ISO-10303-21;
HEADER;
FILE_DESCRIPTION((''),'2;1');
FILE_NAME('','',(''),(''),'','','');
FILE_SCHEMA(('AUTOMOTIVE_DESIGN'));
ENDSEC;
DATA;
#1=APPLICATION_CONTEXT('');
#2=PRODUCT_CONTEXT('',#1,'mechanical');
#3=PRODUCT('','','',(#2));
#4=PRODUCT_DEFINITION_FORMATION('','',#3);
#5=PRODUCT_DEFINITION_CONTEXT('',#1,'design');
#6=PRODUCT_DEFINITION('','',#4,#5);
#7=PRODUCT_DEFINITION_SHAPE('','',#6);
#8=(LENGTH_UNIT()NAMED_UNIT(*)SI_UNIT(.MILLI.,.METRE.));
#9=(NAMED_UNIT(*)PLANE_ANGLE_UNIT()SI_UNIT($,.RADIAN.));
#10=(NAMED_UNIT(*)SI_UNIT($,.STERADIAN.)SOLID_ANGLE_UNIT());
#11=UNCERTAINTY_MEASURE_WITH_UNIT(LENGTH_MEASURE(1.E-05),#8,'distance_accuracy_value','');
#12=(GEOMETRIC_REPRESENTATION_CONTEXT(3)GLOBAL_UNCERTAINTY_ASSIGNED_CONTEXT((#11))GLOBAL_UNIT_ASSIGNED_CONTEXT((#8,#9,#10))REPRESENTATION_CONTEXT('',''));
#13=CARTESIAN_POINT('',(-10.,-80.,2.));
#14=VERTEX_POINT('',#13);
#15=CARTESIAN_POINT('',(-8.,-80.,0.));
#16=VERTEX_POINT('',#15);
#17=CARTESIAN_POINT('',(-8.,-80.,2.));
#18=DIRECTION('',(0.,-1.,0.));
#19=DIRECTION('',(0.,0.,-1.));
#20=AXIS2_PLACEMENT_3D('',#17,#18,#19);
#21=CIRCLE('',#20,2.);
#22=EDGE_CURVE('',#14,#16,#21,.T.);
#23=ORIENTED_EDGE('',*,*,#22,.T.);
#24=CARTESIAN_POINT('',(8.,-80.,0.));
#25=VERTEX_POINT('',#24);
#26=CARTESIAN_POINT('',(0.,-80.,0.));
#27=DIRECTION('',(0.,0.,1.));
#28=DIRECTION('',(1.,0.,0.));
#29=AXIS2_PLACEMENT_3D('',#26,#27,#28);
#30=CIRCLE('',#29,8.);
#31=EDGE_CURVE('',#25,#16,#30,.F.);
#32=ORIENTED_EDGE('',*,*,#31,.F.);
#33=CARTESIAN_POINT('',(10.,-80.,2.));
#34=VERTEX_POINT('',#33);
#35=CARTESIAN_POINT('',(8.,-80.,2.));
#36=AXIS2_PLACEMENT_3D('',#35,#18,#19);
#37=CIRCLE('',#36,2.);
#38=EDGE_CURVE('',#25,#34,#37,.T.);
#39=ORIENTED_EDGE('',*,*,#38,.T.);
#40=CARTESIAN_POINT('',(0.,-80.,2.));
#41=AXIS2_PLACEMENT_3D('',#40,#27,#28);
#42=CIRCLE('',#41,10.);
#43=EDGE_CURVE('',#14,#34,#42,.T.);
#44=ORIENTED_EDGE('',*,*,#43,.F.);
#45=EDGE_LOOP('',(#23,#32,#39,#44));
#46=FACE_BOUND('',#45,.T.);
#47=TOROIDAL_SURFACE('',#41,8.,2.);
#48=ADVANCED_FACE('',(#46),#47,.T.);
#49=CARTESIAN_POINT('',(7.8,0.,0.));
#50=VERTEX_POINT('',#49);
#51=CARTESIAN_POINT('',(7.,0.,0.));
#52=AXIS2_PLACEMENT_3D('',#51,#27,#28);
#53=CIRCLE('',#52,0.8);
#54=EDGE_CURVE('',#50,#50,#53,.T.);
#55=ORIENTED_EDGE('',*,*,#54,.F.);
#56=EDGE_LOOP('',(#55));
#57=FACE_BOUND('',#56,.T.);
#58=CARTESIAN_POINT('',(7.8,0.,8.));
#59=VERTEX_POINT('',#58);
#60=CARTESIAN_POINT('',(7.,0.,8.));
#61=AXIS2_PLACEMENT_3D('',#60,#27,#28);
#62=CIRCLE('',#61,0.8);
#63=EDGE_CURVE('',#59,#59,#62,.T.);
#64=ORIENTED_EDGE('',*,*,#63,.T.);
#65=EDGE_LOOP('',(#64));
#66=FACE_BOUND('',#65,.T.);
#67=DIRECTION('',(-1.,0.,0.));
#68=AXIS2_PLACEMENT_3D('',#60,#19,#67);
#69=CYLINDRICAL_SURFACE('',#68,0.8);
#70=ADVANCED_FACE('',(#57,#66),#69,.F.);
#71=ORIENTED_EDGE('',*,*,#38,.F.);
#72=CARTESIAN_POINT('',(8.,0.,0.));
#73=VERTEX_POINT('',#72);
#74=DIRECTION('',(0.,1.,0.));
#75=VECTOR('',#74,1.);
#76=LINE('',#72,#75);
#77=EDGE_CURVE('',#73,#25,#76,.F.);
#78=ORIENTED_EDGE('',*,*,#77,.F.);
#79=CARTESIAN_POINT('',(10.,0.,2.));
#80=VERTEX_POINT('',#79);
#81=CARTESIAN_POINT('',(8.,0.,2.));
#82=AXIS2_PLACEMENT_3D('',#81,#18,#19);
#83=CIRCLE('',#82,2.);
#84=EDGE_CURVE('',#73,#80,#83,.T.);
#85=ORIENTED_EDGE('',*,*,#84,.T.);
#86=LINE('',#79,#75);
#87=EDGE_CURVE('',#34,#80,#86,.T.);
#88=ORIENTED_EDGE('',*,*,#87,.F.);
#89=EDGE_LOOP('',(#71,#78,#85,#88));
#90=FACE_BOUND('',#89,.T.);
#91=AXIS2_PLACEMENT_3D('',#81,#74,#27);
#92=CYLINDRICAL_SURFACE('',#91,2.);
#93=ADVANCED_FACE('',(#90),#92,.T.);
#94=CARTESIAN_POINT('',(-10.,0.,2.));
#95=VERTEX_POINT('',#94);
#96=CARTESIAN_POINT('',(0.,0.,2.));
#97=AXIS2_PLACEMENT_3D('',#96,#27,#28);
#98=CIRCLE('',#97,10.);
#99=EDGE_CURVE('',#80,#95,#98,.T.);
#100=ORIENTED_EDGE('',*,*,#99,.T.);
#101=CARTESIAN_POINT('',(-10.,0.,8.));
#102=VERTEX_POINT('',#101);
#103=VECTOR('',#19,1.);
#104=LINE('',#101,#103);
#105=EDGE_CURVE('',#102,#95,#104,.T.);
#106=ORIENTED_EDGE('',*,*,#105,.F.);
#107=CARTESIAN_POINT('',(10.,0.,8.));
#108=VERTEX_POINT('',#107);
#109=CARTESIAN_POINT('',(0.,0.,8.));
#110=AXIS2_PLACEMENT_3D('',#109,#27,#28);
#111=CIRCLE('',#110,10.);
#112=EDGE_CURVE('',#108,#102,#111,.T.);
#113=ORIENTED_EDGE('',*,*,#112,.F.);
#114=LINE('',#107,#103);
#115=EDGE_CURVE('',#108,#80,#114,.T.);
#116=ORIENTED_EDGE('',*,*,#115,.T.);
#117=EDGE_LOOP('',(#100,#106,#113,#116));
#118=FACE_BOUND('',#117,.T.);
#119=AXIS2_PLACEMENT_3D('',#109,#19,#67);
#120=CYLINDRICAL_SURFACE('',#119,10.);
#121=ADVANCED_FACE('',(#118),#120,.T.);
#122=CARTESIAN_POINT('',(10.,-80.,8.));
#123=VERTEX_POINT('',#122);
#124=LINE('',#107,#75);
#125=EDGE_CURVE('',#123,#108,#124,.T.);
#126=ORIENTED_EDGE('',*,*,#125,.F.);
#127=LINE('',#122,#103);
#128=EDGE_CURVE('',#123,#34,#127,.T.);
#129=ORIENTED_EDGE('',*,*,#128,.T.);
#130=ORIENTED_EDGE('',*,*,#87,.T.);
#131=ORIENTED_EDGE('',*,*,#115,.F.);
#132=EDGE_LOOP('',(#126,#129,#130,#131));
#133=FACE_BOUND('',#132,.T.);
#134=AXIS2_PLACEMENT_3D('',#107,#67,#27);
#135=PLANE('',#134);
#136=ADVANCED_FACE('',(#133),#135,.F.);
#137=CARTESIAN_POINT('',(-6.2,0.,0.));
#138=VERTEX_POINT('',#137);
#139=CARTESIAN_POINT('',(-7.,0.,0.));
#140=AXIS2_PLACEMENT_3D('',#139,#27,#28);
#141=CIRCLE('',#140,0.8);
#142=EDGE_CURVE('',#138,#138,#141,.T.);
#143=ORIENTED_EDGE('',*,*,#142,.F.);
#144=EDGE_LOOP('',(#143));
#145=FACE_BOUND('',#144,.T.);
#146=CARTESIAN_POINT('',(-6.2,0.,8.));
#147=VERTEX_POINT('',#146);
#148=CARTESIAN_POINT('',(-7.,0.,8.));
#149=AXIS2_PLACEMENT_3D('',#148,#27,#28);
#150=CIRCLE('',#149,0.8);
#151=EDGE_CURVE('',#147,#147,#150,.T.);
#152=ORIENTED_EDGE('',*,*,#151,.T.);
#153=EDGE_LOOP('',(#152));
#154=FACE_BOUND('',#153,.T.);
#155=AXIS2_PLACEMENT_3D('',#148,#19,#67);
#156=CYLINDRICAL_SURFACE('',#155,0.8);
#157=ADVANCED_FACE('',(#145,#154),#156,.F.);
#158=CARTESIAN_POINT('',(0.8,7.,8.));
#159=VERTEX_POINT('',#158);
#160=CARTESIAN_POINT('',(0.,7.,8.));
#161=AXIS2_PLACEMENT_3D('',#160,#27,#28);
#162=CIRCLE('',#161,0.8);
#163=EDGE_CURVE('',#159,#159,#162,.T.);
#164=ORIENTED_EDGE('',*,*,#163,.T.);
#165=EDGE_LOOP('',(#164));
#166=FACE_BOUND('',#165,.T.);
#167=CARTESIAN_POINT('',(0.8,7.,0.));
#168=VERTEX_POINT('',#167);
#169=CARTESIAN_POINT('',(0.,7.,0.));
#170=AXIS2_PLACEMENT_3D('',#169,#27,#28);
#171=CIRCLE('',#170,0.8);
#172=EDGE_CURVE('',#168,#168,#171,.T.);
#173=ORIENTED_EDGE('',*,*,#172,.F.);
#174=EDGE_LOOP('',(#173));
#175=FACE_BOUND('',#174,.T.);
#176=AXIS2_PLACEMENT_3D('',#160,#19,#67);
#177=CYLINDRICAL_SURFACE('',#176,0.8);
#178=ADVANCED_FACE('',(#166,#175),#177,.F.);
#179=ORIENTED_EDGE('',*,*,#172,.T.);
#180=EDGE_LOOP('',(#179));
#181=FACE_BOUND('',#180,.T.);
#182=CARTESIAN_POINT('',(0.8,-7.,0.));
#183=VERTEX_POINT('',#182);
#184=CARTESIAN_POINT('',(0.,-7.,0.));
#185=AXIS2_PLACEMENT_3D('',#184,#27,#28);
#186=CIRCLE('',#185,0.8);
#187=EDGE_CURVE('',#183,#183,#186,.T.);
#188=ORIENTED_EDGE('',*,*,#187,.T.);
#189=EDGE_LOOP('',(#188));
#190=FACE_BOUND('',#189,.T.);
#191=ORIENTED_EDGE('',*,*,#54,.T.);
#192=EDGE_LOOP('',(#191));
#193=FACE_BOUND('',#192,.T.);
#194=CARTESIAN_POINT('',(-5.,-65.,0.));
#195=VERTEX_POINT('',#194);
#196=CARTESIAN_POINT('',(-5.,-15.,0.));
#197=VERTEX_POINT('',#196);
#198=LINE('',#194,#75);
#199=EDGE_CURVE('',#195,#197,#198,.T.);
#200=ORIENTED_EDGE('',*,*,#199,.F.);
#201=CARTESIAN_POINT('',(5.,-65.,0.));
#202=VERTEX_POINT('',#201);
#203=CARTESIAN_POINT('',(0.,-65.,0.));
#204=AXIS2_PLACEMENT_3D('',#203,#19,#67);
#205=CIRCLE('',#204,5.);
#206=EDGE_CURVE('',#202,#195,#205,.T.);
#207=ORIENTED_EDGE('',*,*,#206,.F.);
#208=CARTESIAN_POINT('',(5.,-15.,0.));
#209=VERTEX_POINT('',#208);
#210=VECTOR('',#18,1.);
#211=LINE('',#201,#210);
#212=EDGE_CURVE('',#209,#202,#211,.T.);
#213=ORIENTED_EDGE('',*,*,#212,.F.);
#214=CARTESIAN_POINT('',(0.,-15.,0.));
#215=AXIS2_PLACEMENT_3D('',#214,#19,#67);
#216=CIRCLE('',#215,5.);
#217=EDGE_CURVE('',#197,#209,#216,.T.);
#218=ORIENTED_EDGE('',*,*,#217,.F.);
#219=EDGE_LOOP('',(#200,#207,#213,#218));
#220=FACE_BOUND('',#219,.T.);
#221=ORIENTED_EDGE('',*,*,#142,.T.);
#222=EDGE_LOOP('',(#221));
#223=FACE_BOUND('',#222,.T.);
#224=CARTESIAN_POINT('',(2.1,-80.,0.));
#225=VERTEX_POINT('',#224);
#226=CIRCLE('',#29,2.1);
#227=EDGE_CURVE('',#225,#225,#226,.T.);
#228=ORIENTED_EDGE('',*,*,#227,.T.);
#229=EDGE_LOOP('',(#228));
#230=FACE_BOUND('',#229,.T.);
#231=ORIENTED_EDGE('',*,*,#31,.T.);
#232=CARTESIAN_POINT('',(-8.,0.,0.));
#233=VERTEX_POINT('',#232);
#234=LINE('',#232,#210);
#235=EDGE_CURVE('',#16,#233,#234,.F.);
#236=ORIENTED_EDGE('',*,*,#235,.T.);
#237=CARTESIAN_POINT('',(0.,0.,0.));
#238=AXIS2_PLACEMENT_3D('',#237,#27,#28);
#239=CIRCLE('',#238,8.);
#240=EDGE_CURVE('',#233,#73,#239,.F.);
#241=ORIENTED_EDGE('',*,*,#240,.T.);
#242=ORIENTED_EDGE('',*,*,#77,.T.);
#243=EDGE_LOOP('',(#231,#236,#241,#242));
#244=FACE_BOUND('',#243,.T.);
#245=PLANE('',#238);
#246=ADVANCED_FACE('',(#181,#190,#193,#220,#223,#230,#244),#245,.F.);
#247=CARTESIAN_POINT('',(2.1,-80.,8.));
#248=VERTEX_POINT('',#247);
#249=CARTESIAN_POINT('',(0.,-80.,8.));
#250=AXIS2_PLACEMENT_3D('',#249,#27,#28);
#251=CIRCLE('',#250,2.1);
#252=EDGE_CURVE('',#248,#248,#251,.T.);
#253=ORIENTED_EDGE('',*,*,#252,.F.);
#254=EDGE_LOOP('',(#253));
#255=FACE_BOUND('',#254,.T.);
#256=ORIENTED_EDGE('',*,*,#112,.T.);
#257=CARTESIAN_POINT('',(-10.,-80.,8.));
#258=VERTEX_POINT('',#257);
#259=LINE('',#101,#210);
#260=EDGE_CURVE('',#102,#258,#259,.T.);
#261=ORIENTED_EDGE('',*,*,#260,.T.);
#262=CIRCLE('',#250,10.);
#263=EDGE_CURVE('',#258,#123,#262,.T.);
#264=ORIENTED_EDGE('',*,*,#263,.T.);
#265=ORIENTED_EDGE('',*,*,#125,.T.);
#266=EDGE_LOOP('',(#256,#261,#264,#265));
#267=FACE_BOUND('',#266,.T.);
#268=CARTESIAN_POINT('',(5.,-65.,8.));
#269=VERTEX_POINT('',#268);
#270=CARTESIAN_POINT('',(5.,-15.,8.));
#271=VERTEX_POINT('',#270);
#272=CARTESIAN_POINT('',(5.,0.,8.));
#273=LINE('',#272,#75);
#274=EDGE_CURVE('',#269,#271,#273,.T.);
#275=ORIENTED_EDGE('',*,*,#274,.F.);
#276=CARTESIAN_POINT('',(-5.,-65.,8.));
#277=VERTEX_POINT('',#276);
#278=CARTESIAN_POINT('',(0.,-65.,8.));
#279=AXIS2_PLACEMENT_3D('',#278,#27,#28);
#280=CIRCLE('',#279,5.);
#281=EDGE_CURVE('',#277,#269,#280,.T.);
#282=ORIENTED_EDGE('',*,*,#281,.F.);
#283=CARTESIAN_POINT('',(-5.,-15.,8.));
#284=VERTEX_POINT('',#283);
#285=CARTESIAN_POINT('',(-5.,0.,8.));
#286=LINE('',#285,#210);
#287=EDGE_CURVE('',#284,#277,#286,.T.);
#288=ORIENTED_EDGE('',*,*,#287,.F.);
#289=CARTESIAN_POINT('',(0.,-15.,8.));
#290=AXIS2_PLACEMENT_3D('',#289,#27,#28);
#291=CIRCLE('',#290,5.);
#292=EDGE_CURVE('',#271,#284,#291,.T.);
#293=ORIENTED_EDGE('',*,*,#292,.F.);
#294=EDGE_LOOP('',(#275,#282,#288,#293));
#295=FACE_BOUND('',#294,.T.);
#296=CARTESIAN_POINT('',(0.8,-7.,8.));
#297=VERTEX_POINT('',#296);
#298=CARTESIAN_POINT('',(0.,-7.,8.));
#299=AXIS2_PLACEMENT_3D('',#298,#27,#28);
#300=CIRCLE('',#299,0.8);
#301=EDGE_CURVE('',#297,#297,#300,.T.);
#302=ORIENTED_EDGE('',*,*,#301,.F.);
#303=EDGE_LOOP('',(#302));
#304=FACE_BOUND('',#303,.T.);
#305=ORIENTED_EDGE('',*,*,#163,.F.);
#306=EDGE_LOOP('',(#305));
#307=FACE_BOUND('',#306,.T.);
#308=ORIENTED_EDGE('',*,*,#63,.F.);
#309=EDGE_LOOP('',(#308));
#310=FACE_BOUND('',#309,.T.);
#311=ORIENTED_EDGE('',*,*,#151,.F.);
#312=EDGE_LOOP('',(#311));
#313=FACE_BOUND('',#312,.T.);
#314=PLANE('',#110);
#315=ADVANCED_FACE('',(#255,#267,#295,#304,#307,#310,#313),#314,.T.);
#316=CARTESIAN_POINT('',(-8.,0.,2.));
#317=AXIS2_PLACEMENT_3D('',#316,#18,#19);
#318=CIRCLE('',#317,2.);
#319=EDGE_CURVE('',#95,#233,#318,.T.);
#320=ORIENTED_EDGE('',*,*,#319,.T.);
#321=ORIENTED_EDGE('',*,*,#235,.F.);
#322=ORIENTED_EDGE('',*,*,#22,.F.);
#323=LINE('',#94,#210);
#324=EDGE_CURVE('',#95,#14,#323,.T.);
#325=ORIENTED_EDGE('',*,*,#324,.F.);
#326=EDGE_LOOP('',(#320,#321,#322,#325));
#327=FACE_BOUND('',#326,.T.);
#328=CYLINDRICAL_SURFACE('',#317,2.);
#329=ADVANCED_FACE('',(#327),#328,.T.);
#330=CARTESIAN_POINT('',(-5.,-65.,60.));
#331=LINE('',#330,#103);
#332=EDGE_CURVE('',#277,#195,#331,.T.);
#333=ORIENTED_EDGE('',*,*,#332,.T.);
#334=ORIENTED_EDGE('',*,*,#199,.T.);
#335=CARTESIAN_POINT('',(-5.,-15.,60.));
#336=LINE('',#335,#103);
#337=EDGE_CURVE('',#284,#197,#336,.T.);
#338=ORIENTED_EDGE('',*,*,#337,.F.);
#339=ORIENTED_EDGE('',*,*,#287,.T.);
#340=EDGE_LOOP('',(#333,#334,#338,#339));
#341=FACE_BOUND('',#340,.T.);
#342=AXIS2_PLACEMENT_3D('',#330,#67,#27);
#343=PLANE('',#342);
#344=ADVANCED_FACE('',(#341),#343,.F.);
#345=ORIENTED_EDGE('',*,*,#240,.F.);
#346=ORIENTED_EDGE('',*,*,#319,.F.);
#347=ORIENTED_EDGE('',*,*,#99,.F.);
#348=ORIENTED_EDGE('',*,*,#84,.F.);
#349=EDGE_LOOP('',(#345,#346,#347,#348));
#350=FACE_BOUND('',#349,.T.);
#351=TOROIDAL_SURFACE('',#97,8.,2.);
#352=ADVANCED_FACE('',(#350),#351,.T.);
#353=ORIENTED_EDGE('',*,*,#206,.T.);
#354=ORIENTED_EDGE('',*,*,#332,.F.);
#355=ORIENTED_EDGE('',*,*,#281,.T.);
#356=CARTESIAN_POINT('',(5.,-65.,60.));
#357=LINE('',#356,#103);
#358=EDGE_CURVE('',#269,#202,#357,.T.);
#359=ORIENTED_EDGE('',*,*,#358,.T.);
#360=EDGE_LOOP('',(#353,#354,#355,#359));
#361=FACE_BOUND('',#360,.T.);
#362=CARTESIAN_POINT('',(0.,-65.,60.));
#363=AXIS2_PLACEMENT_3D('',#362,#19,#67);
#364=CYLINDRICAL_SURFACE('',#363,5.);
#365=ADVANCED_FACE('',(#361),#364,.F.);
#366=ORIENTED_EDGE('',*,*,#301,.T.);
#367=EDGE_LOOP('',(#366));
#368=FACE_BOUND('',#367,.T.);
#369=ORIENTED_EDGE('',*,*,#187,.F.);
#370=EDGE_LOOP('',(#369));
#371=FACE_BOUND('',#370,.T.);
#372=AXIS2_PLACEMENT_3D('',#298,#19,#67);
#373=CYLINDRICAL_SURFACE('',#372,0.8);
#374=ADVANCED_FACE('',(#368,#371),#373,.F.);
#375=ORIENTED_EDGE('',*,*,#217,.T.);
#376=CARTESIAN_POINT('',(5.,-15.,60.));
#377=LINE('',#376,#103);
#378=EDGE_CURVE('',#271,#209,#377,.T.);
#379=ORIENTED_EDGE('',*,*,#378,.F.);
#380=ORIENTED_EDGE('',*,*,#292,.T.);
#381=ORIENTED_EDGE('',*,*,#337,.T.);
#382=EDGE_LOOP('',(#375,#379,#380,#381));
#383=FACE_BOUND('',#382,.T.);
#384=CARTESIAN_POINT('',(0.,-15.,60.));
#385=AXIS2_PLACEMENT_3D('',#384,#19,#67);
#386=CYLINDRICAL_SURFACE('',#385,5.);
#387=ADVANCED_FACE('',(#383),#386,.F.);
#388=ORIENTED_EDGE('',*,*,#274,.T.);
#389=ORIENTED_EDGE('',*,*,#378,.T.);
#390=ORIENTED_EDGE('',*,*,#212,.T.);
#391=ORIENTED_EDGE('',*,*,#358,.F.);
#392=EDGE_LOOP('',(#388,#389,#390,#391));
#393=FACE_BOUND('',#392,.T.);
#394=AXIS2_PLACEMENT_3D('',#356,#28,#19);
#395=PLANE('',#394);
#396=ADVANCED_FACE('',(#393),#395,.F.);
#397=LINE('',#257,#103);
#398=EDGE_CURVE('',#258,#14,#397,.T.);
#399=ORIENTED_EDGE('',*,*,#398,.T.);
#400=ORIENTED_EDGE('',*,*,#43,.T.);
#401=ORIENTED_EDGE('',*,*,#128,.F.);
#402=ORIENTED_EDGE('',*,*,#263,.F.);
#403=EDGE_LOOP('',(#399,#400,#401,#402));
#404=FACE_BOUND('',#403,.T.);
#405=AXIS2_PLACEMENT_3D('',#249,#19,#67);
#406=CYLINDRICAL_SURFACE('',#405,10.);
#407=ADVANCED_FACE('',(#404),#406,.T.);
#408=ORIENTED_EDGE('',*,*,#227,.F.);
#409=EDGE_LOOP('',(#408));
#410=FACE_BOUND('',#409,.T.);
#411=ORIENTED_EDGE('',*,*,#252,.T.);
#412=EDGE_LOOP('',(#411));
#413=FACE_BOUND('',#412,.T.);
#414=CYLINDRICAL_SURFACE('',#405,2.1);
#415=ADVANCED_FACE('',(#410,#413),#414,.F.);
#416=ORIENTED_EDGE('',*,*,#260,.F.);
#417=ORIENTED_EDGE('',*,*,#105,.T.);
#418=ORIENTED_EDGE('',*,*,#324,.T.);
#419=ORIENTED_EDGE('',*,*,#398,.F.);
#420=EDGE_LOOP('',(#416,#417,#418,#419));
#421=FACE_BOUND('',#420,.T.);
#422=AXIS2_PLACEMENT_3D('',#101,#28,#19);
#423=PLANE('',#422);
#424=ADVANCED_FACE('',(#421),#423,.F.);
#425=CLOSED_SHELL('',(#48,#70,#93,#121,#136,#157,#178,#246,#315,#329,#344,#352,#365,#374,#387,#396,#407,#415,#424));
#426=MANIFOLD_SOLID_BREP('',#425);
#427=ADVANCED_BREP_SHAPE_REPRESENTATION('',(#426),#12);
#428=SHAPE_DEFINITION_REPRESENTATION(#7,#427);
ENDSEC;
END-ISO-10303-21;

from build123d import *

# Parameters (mm, degrees)
SKETCH1_R           = 10
SKETCH1_R_2         = 0.8
BOSS_EXTRUDE1_DEPTH = 8
FILLET1_R           = 2
CUT_EXTRUDE1_DEPTH  = 60


with BuildPart() as part:
    # Sketch1 → Boss-Extrude1 (new body)
    # profile 1 of 6: a face of its own
    with BuildSketch(Plane.XY):
        with BuildLine():
            ThreePointArc((10, 0), (0, -10), (-10, 0))
            Line((-10, 0), (-10, -80))
            ThreePointArc((-10, -80), (0, -70), (10, -80))
            Line((10, -80), (10, 0))
        make_face()
    # profile 2 of 6: a face of its own
    with BuildSketch(Plane.XY):
        Circle(SKETCH1_R)
        with Locations((-7, 0)):
            Circle(SKETCH1_R_2, mode=Mode.SUBTRACT)
        with Locations((0, -7)):
            Circle(SKETCH1_R_2, mode=Mode.SUBTRACT)
        with Locations((7, 0)):
            Circle(SKETCH1_R_2, mode=Mode.SUBTRACT)
        with Locations((0, 7)):
            Circle(SKETCH1_R_2, mode=Mode.SUBTRACT)
    # profile 3 of 6: a face of its own
    with BuildSketch(Plane.XY):
        with BuildLine():
            ThreePointArc((10, -80), (0, -70), (-10, -80))
            Line((-10, -80), (-2.1, -80))
            ThreePointArc((-2.1, -80), (0, -77.9), (2.1, -80))
            Line((2.1, -80), (10, -80))
        make_face()
    # profile 4 of 6: a face of its own
    with BuildSketch(Plane.XY):
        with BuildLine():
            Line((-2.1, -80), (-10, -80))
            ThreePointArc((-10, -80), (0, -90), (10, -80))
            Line((10, -80), (2.1, -80))
            ThreePointArc((2.1, -80), (0, -82.1), (-2.1, -80))
        make_face()
    # profile 5 of 6: a face of its own
    with BuildSketch(Plane.XY):
        with BuildLine():
            ThreePointArc((10, -80), (0, -70), (-10, -80))
            Line((-10, -80), (-2.1, -80))
            ThreePointArc((-2.1, -80), (0, -77.9), (2.1, -80))
            Line((2.1, -80), (10, -80))
        make_face()
    # profile 6 of 6: a face of its own
    with BuildSketch(Plane.XY):
        with BuildLine():
            Line((-2.1, -80), (-10, -80))
            ThreePointArc((-10, -80), (0, -90), (10, -80))
            Line((10, -80), (2.1, -80))
            ThreePointArc((2.1, -80), (0, -82.1), (-2.1, -80))
        make_face()
    extrude(amount=BOSS_EXTRUDE1_DEPTH)

    # Fillet1
    fillet1_edges = [part.edges().sort_by_distance(p)[0] for p in [
        (-10, -40, 0),
        (0, 10, 0),
        (10, -40, 0),
        (0, -90, 0),
    ]]
    fillet(fillet1_edges, radius=FILLET1_R)

    # Sketch3 → Cut-Extrude1 (cut)
    with BuildSketch(Plane(origin=(0, 0, 0), x_dir=(-1, 0, 0), z_dir=(0, 0, -1))):
        with BuildLine():
            Line((-5, -65), (-5, -15))
            ThreePointArc((-5, -15), (0, -10), (5, -15))
            Line((5, -15), (5, -65))
            ThreePointArc((5, -65), (0, -70), (-5, -65))
        make_face()
    extrude(amount=-CUT_EXTRUDE1_DEPTH, mode=Mode.SUBTRACT)


solid = part.part
